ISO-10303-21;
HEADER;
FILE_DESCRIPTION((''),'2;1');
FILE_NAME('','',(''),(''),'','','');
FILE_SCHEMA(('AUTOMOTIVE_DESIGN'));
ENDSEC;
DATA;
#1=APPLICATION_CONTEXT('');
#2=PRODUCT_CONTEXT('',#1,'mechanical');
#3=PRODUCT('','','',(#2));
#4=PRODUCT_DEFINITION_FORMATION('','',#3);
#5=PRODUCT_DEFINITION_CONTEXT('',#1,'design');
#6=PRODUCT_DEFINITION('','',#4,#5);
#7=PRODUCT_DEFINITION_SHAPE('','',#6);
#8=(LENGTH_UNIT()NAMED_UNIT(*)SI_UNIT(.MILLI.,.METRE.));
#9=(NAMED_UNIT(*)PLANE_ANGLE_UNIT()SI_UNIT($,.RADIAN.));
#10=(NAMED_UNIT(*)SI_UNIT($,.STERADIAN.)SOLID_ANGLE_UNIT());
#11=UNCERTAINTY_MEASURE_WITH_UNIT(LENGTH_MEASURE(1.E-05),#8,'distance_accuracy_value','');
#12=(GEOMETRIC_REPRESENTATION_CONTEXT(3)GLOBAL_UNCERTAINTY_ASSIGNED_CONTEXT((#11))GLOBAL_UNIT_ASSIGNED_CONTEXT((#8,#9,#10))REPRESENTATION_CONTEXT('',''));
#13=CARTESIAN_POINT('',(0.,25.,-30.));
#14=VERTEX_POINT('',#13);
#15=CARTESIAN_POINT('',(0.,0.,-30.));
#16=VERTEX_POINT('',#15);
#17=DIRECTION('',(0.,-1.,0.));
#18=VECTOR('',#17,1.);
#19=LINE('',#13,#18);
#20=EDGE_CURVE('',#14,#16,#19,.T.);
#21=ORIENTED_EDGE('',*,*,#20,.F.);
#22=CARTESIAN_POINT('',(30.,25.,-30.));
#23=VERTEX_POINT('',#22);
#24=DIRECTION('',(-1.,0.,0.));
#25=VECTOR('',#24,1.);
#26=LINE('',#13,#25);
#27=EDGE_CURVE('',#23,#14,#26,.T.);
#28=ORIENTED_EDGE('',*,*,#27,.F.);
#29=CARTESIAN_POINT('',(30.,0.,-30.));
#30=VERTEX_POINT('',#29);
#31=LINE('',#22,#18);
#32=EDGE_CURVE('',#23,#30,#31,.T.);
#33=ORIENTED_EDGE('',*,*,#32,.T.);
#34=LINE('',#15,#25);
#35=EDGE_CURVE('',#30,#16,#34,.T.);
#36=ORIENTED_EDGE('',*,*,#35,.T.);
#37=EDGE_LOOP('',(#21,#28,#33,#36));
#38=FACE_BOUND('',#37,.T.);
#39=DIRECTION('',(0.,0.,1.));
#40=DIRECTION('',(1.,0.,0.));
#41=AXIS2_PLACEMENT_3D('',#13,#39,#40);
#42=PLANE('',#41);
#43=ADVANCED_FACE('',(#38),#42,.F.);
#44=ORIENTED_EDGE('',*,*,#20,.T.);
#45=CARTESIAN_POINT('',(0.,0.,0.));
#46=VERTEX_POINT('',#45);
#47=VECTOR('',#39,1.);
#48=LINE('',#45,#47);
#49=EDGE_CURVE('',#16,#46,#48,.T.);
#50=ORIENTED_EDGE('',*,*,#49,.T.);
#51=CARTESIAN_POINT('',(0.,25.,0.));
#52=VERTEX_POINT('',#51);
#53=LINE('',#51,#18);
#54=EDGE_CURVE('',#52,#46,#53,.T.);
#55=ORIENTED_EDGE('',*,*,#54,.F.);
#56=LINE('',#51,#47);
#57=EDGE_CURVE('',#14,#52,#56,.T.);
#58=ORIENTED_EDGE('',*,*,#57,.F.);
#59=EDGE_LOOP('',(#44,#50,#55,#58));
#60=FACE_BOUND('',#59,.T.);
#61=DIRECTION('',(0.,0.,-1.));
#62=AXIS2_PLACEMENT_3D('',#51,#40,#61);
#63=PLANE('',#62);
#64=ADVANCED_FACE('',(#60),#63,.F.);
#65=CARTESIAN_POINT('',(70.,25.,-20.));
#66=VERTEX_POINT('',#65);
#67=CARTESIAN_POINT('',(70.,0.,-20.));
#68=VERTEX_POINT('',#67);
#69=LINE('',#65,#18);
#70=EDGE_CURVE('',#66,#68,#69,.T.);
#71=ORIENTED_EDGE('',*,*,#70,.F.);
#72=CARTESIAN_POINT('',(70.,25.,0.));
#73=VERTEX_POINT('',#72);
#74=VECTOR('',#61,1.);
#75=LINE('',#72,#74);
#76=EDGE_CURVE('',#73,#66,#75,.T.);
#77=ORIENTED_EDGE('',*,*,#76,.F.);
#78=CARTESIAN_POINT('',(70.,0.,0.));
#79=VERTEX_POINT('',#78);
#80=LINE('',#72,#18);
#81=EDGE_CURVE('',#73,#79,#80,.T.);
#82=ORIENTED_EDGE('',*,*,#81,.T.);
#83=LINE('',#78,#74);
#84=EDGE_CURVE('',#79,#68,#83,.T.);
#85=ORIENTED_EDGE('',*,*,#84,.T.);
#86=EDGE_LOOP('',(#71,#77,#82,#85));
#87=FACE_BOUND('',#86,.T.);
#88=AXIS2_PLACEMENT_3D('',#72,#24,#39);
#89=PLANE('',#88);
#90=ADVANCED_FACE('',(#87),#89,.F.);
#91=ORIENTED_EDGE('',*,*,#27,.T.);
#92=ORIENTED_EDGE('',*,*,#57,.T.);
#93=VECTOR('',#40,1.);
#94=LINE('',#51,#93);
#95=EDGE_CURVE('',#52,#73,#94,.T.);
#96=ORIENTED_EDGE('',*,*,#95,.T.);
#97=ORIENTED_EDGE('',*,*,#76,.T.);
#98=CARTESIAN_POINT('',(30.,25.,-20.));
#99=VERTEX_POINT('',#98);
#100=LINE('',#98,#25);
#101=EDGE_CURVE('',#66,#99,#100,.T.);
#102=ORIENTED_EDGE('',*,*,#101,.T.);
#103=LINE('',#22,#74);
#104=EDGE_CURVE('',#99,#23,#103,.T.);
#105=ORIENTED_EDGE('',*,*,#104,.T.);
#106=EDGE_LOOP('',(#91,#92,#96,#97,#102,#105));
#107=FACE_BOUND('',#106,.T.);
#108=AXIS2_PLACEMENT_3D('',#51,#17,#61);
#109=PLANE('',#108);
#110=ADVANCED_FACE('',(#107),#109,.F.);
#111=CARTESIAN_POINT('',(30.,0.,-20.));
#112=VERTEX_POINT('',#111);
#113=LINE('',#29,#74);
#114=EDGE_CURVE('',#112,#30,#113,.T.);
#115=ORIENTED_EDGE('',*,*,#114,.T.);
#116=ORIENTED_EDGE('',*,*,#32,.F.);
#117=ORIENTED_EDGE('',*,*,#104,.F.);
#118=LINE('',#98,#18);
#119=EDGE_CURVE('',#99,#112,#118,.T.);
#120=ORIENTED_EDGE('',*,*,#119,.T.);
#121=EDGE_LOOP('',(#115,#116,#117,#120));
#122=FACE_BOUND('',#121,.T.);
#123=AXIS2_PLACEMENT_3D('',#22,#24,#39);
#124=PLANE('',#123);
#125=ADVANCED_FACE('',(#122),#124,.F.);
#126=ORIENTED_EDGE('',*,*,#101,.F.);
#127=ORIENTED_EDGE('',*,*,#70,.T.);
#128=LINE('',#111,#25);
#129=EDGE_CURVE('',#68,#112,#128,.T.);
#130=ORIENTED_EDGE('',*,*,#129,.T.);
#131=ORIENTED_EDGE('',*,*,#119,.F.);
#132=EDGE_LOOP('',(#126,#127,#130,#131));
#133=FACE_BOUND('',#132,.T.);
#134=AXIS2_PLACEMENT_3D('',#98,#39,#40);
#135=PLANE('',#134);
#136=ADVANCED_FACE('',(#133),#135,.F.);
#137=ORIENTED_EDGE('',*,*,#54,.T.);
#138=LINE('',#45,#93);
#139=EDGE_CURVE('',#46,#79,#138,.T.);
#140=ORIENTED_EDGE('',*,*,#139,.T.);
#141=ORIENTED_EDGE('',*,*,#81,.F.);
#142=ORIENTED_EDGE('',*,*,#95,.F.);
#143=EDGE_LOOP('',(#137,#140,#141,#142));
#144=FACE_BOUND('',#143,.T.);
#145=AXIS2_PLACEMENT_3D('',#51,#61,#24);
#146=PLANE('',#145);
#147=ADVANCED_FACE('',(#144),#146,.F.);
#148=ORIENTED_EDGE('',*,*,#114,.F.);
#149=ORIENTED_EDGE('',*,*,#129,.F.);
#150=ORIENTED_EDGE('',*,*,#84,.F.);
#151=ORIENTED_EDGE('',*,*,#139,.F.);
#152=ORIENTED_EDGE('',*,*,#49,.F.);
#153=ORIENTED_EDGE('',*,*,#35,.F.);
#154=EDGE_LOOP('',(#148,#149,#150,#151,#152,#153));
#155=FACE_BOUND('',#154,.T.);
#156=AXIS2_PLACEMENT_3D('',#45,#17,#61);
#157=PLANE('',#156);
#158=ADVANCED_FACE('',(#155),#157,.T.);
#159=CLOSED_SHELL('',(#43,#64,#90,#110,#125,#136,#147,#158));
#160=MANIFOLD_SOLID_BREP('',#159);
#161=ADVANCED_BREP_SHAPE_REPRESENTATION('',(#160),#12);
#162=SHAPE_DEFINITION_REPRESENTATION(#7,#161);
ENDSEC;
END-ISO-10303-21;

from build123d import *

# Parameters (mm, degrees)
BOSS_EXTRUDE1_DEPTH = 25


with BuildPart() as part:
    # Sketch1 → Boss-Extrude1 (new body)
    with BuildSketch(Plane(origin=(0, 0, 0), x_dir=(1, 0, 0), z_dir=(0, 1, 0))):
        Polygon((30, 30), (30, 20), (70, 20), (70, 0), (0, 0), (0, 30), align=None)
    extrude(amount=BOSS_EXTRUDE1_DEPTH)


solid = part.part
